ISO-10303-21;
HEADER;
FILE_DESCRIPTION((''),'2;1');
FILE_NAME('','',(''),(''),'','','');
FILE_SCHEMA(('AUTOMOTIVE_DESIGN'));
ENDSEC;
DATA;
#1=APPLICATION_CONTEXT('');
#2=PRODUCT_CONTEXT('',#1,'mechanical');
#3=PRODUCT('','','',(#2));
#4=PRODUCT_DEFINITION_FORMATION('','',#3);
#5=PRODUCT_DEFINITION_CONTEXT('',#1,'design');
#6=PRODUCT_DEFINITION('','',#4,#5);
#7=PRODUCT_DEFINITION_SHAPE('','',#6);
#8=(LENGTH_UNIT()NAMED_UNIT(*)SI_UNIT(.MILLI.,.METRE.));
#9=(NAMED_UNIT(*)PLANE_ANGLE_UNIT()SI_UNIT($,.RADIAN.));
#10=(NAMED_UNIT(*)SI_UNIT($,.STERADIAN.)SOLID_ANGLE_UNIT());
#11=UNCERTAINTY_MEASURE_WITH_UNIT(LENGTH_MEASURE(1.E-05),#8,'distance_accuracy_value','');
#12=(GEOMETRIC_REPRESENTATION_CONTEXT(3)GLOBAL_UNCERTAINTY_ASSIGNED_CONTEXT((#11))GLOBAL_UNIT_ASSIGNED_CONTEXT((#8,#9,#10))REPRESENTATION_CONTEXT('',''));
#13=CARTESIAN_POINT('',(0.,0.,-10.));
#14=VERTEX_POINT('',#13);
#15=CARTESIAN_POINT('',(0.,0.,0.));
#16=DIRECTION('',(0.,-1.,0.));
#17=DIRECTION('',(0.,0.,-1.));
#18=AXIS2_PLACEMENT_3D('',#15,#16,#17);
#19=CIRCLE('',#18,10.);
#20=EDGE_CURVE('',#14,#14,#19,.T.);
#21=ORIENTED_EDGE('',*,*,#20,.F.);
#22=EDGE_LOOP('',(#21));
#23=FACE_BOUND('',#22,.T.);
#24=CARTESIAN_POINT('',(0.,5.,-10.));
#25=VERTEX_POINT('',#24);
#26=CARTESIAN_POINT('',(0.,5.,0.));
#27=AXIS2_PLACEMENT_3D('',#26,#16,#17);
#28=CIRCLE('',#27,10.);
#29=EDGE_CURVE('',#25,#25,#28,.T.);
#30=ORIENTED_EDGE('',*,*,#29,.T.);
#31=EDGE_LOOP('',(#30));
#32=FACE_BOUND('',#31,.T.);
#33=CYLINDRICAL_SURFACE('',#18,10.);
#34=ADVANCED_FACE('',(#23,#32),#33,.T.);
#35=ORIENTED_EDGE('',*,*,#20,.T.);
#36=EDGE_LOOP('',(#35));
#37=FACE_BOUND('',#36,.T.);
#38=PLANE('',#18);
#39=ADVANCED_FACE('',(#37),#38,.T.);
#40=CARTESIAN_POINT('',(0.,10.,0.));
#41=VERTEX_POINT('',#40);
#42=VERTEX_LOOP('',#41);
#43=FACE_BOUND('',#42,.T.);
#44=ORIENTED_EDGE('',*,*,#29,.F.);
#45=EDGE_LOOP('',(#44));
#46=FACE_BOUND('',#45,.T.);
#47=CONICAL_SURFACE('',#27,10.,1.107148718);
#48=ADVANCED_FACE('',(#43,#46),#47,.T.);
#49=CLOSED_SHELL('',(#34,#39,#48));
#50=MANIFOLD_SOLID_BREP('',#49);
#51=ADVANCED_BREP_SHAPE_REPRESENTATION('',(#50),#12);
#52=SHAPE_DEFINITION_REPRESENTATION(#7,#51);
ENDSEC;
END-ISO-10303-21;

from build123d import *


with BuildPart() as part:
    # Sketch1 → Revolve1 (revolve)
    with BuildSketch(Plane.XY, mode=Mode.PRIVATE) as revolve1_sk:
        Polygon((0, 0), (10, 0), (10, 5), (0, 10), align=None)
    revolve(revolve1_sk.sketch.rotate(Axis((0, 0, 0), (0, 1, 0)), 90), axis=Axis((0, 0, 0), (0, 1, 0)))


solid = part.part
